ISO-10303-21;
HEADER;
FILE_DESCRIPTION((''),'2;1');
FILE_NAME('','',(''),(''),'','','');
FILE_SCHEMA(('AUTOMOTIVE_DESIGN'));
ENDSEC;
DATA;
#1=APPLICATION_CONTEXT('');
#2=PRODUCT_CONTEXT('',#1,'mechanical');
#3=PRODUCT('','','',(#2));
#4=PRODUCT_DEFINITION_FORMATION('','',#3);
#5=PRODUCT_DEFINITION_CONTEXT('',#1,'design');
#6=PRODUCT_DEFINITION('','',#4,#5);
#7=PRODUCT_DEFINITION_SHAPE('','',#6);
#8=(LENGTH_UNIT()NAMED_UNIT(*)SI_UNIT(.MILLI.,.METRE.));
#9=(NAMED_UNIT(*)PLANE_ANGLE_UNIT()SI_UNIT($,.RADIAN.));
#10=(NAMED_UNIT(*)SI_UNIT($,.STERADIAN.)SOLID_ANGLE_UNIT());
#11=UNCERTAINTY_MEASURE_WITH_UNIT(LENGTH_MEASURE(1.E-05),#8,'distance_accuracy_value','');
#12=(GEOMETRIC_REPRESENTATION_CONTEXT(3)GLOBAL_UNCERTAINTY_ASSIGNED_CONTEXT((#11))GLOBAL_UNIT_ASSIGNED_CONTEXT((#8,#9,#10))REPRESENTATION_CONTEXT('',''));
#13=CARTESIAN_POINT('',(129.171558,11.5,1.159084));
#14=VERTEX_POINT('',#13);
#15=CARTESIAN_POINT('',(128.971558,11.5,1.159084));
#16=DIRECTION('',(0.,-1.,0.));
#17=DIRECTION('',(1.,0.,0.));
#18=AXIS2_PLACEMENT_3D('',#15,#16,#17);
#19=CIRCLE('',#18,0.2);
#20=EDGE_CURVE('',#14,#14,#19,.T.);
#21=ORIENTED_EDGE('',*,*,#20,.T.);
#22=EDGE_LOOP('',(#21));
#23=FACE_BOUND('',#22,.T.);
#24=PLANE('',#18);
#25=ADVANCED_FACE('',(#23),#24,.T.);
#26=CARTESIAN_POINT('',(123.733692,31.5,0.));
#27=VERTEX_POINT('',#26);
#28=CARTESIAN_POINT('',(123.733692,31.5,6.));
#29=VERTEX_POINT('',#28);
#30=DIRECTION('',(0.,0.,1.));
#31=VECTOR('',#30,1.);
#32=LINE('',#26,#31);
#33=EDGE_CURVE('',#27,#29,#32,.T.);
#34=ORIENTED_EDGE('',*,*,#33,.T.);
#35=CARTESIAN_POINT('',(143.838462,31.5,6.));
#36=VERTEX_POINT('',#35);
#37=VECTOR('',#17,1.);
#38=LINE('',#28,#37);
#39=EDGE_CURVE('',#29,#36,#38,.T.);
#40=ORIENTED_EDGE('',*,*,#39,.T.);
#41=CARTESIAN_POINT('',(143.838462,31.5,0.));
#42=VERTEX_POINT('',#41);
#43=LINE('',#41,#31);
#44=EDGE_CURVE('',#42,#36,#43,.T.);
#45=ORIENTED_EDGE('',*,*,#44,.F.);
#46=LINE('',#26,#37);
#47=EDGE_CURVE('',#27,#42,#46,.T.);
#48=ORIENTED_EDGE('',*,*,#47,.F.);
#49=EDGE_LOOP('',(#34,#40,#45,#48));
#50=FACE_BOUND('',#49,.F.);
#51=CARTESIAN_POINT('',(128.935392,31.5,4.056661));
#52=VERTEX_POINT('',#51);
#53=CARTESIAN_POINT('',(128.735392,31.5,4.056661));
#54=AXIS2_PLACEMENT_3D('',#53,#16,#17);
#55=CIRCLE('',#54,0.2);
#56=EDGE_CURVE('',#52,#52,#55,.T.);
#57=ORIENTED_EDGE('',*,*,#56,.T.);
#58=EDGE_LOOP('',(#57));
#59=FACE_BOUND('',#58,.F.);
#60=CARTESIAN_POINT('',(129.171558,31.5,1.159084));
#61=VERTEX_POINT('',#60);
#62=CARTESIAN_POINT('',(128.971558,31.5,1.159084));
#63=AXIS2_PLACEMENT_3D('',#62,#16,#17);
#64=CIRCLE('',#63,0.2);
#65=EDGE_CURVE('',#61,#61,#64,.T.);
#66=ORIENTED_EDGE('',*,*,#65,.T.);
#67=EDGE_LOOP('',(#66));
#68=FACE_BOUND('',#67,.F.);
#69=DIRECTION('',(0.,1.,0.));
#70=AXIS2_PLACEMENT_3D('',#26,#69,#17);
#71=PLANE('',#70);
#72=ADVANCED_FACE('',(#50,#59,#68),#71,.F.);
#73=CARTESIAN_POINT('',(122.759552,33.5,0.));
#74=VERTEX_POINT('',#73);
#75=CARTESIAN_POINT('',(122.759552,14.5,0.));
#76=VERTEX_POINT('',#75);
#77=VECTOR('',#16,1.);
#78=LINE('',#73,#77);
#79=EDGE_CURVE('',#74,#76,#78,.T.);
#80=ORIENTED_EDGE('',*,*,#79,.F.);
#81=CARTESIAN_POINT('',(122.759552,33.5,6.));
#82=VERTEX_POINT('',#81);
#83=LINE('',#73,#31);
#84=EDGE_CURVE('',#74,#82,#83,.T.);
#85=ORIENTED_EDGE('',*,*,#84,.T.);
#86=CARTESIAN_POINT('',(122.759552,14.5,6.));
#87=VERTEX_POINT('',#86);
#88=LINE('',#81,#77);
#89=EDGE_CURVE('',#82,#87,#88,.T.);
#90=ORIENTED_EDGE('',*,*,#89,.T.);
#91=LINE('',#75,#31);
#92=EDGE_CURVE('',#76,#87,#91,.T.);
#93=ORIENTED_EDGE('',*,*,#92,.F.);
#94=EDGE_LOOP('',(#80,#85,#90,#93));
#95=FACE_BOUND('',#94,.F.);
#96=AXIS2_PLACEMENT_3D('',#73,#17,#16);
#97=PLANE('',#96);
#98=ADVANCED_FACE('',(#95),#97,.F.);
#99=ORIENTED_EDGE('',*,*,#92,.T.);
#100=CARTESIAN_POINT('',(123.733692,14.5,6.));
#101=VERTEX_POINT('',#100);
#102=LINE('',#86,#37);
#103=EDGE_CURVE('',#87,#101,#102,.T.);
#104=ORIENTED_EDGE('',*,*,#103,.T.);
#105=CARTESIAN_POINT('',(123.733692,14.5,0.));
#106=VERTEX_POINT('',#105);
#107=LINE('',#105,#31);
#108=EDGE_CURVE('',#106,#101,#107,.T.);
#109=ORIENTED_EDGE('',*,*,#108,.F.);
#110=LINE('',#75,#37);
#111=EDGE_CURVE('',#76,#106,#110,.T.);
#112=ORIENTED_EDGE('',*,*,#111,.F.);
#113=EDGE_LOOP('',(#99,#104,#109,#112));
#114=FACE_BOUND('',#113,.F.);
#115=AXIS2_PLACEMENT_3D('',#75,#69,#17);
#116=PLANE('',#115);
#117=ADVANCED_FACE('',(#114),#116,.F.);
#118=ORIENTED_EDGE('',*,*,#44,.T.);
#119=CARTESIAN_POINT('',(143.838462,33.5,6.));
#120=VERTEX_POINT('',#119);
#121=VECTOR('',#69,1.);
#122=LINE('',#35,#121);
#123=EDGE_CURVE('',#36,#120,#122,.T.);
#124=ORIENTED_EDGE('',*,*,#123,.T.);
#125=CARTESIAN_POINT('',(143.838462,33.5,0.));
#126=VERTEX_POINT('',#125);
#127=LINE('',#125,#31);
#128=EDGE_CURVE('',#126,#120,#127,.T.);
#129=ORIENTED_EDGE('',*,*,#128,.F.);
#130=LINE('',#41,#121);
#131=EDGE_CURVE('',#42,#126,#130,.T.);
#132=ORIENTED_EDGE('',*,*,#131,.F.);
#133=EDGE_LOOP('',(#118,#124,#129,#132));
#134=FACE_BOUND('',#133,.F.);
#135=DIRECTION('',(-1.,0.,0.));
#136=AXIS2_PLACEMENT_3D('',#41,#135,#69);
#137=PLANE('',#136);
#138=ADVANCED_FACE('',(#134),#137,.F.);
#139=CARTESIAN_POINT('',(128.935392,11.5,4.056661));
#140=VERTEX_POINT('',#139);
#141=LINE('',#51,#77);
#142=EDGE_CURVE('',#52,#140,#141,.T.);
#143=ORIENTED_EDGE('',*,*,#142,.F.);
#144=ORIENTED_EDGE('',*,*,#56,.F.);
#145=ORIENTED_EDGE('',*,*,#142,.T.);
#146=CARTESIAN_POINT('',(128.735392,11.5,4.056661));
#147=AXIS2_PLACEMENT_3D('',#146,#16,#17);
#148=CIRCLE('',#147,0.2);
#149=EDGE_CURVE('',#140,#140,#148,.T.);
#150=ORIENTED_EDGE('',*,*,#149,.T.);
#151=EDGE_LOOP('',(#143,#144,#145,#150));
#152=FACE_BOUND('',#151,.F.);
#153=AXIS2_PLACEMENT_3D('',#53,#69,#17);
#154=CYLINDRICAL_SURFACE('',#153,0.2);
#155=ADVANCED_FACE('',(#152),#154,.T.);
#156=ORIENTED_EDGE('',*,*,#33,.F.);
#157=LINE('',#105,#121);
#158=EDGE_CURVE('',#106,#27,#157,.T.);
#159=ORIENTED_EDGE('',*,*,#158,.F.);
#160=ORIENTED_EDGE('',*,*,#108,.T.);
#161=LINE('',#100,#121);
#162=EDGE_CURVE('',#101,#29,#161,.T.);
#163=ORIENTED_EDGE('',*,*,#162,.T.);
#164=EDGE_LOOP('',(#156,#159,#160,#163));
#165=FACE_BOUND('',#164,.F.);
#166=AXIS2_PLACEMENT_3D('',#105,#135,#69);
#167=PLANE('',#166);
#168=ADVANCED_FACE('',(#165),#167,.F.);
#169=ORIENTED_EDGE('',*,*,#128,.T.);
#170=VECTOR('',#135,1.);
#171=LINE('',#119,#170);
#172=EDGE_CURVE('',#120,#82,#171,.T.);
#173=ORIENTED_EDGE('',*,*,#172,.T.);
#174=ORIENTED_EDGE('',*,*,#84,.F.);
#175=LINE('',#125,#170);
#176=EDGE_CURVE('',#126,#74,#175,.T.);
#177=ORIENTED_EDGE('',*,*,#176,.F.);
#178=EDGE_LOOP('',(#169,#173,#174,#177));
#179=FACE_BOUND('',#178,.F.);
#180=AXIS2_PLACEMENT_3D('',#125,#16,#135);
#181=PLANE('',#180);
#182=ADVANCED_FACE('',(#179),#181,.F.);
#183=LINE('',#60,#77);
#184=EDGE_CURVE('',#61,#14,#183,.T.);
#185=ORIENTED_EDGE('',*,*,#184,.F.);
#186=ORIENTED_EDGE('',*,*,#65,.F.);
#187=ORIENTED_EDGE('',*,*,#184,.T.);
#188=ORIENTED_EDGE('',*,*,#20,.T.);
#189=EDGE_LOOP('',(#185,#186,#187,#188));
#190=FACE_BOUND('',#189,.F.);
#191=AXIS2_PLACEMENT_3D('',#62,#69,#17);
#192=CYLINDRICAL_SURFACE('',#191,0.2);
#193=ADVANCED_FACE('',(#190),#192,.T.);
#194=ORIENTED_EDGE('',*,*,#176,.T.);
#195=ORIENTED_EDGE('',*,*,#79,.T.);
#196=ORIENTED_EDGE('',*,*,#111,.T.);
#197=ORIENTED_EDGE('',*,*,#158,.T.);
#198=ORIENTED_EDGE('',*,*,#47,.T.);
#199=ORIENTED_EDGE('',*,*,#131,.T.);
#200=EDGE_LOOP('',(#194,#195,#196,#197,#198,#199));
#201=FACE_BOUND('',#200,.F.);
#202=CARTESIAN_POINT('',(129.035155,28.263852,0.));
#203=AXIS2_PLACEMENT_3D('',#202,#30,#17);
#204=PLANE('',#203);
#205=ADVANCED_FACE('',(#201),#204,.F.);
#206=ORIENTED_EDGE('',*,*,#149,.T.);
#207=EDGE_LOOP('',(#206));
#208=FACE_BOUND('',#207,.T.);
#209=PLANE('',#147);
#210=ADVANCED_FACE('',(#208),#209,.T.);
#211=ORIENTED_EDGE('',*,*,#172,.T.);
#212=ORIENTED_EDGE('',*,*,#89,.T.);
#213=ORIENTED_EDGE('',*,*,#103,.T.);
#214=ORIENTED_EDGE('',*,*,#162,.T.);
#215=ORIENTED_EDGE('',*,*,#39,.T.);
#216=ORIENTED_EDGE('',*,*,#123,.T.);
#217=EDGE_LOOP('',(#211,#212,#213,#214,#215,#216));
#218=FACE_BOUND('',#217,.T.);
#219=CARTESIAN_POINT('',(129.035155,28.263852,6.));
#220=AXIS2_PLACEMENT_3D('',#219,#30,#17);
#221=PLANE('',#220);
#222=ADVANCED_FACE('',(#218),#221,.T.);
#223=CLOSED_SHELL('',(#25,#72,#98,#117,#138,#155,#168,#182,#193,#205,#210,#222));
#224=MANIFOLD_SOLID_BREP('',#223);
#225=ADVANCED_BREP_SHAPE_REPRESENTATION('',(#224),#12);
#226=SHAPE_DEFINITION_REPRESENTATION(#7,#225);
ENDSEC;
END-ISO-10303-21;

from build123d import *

# Parameters (mm, degrees)
EXTRUSION1_DEPTH = 6
ESQUISSE2_R      = 0.2
EXTRUSION2_DEPTH = 20


with BuildPart() as part:
    # Esquisse1 → Extrusion1 (new body)
    with BuildSketch(Plane.XY):
        Polygon((123.733692342, 14.5), (123.733692342, 31.5), (143.838461576, 31.5), (143.838461576, 33.5), (122.759551823, 33.5), (122.759551823, 14.5), align=None)
    extrude(amount=EXTRUSION1_DEPTH)

    # Esquisse2 → Extrusion2 (add)
    with BuildSketch(Plane.XZ.offset(-31.5)):
        with Locations((128.735391716, 4.056660757)):
            Circle(ESQUISSE2_R)
        with Locations((128.971557812, 1.159084415)):
            Circle(ESQUISSE2_R)
    extrude(amount=EXTRUSION2_DEPTH)


solid = part.part
